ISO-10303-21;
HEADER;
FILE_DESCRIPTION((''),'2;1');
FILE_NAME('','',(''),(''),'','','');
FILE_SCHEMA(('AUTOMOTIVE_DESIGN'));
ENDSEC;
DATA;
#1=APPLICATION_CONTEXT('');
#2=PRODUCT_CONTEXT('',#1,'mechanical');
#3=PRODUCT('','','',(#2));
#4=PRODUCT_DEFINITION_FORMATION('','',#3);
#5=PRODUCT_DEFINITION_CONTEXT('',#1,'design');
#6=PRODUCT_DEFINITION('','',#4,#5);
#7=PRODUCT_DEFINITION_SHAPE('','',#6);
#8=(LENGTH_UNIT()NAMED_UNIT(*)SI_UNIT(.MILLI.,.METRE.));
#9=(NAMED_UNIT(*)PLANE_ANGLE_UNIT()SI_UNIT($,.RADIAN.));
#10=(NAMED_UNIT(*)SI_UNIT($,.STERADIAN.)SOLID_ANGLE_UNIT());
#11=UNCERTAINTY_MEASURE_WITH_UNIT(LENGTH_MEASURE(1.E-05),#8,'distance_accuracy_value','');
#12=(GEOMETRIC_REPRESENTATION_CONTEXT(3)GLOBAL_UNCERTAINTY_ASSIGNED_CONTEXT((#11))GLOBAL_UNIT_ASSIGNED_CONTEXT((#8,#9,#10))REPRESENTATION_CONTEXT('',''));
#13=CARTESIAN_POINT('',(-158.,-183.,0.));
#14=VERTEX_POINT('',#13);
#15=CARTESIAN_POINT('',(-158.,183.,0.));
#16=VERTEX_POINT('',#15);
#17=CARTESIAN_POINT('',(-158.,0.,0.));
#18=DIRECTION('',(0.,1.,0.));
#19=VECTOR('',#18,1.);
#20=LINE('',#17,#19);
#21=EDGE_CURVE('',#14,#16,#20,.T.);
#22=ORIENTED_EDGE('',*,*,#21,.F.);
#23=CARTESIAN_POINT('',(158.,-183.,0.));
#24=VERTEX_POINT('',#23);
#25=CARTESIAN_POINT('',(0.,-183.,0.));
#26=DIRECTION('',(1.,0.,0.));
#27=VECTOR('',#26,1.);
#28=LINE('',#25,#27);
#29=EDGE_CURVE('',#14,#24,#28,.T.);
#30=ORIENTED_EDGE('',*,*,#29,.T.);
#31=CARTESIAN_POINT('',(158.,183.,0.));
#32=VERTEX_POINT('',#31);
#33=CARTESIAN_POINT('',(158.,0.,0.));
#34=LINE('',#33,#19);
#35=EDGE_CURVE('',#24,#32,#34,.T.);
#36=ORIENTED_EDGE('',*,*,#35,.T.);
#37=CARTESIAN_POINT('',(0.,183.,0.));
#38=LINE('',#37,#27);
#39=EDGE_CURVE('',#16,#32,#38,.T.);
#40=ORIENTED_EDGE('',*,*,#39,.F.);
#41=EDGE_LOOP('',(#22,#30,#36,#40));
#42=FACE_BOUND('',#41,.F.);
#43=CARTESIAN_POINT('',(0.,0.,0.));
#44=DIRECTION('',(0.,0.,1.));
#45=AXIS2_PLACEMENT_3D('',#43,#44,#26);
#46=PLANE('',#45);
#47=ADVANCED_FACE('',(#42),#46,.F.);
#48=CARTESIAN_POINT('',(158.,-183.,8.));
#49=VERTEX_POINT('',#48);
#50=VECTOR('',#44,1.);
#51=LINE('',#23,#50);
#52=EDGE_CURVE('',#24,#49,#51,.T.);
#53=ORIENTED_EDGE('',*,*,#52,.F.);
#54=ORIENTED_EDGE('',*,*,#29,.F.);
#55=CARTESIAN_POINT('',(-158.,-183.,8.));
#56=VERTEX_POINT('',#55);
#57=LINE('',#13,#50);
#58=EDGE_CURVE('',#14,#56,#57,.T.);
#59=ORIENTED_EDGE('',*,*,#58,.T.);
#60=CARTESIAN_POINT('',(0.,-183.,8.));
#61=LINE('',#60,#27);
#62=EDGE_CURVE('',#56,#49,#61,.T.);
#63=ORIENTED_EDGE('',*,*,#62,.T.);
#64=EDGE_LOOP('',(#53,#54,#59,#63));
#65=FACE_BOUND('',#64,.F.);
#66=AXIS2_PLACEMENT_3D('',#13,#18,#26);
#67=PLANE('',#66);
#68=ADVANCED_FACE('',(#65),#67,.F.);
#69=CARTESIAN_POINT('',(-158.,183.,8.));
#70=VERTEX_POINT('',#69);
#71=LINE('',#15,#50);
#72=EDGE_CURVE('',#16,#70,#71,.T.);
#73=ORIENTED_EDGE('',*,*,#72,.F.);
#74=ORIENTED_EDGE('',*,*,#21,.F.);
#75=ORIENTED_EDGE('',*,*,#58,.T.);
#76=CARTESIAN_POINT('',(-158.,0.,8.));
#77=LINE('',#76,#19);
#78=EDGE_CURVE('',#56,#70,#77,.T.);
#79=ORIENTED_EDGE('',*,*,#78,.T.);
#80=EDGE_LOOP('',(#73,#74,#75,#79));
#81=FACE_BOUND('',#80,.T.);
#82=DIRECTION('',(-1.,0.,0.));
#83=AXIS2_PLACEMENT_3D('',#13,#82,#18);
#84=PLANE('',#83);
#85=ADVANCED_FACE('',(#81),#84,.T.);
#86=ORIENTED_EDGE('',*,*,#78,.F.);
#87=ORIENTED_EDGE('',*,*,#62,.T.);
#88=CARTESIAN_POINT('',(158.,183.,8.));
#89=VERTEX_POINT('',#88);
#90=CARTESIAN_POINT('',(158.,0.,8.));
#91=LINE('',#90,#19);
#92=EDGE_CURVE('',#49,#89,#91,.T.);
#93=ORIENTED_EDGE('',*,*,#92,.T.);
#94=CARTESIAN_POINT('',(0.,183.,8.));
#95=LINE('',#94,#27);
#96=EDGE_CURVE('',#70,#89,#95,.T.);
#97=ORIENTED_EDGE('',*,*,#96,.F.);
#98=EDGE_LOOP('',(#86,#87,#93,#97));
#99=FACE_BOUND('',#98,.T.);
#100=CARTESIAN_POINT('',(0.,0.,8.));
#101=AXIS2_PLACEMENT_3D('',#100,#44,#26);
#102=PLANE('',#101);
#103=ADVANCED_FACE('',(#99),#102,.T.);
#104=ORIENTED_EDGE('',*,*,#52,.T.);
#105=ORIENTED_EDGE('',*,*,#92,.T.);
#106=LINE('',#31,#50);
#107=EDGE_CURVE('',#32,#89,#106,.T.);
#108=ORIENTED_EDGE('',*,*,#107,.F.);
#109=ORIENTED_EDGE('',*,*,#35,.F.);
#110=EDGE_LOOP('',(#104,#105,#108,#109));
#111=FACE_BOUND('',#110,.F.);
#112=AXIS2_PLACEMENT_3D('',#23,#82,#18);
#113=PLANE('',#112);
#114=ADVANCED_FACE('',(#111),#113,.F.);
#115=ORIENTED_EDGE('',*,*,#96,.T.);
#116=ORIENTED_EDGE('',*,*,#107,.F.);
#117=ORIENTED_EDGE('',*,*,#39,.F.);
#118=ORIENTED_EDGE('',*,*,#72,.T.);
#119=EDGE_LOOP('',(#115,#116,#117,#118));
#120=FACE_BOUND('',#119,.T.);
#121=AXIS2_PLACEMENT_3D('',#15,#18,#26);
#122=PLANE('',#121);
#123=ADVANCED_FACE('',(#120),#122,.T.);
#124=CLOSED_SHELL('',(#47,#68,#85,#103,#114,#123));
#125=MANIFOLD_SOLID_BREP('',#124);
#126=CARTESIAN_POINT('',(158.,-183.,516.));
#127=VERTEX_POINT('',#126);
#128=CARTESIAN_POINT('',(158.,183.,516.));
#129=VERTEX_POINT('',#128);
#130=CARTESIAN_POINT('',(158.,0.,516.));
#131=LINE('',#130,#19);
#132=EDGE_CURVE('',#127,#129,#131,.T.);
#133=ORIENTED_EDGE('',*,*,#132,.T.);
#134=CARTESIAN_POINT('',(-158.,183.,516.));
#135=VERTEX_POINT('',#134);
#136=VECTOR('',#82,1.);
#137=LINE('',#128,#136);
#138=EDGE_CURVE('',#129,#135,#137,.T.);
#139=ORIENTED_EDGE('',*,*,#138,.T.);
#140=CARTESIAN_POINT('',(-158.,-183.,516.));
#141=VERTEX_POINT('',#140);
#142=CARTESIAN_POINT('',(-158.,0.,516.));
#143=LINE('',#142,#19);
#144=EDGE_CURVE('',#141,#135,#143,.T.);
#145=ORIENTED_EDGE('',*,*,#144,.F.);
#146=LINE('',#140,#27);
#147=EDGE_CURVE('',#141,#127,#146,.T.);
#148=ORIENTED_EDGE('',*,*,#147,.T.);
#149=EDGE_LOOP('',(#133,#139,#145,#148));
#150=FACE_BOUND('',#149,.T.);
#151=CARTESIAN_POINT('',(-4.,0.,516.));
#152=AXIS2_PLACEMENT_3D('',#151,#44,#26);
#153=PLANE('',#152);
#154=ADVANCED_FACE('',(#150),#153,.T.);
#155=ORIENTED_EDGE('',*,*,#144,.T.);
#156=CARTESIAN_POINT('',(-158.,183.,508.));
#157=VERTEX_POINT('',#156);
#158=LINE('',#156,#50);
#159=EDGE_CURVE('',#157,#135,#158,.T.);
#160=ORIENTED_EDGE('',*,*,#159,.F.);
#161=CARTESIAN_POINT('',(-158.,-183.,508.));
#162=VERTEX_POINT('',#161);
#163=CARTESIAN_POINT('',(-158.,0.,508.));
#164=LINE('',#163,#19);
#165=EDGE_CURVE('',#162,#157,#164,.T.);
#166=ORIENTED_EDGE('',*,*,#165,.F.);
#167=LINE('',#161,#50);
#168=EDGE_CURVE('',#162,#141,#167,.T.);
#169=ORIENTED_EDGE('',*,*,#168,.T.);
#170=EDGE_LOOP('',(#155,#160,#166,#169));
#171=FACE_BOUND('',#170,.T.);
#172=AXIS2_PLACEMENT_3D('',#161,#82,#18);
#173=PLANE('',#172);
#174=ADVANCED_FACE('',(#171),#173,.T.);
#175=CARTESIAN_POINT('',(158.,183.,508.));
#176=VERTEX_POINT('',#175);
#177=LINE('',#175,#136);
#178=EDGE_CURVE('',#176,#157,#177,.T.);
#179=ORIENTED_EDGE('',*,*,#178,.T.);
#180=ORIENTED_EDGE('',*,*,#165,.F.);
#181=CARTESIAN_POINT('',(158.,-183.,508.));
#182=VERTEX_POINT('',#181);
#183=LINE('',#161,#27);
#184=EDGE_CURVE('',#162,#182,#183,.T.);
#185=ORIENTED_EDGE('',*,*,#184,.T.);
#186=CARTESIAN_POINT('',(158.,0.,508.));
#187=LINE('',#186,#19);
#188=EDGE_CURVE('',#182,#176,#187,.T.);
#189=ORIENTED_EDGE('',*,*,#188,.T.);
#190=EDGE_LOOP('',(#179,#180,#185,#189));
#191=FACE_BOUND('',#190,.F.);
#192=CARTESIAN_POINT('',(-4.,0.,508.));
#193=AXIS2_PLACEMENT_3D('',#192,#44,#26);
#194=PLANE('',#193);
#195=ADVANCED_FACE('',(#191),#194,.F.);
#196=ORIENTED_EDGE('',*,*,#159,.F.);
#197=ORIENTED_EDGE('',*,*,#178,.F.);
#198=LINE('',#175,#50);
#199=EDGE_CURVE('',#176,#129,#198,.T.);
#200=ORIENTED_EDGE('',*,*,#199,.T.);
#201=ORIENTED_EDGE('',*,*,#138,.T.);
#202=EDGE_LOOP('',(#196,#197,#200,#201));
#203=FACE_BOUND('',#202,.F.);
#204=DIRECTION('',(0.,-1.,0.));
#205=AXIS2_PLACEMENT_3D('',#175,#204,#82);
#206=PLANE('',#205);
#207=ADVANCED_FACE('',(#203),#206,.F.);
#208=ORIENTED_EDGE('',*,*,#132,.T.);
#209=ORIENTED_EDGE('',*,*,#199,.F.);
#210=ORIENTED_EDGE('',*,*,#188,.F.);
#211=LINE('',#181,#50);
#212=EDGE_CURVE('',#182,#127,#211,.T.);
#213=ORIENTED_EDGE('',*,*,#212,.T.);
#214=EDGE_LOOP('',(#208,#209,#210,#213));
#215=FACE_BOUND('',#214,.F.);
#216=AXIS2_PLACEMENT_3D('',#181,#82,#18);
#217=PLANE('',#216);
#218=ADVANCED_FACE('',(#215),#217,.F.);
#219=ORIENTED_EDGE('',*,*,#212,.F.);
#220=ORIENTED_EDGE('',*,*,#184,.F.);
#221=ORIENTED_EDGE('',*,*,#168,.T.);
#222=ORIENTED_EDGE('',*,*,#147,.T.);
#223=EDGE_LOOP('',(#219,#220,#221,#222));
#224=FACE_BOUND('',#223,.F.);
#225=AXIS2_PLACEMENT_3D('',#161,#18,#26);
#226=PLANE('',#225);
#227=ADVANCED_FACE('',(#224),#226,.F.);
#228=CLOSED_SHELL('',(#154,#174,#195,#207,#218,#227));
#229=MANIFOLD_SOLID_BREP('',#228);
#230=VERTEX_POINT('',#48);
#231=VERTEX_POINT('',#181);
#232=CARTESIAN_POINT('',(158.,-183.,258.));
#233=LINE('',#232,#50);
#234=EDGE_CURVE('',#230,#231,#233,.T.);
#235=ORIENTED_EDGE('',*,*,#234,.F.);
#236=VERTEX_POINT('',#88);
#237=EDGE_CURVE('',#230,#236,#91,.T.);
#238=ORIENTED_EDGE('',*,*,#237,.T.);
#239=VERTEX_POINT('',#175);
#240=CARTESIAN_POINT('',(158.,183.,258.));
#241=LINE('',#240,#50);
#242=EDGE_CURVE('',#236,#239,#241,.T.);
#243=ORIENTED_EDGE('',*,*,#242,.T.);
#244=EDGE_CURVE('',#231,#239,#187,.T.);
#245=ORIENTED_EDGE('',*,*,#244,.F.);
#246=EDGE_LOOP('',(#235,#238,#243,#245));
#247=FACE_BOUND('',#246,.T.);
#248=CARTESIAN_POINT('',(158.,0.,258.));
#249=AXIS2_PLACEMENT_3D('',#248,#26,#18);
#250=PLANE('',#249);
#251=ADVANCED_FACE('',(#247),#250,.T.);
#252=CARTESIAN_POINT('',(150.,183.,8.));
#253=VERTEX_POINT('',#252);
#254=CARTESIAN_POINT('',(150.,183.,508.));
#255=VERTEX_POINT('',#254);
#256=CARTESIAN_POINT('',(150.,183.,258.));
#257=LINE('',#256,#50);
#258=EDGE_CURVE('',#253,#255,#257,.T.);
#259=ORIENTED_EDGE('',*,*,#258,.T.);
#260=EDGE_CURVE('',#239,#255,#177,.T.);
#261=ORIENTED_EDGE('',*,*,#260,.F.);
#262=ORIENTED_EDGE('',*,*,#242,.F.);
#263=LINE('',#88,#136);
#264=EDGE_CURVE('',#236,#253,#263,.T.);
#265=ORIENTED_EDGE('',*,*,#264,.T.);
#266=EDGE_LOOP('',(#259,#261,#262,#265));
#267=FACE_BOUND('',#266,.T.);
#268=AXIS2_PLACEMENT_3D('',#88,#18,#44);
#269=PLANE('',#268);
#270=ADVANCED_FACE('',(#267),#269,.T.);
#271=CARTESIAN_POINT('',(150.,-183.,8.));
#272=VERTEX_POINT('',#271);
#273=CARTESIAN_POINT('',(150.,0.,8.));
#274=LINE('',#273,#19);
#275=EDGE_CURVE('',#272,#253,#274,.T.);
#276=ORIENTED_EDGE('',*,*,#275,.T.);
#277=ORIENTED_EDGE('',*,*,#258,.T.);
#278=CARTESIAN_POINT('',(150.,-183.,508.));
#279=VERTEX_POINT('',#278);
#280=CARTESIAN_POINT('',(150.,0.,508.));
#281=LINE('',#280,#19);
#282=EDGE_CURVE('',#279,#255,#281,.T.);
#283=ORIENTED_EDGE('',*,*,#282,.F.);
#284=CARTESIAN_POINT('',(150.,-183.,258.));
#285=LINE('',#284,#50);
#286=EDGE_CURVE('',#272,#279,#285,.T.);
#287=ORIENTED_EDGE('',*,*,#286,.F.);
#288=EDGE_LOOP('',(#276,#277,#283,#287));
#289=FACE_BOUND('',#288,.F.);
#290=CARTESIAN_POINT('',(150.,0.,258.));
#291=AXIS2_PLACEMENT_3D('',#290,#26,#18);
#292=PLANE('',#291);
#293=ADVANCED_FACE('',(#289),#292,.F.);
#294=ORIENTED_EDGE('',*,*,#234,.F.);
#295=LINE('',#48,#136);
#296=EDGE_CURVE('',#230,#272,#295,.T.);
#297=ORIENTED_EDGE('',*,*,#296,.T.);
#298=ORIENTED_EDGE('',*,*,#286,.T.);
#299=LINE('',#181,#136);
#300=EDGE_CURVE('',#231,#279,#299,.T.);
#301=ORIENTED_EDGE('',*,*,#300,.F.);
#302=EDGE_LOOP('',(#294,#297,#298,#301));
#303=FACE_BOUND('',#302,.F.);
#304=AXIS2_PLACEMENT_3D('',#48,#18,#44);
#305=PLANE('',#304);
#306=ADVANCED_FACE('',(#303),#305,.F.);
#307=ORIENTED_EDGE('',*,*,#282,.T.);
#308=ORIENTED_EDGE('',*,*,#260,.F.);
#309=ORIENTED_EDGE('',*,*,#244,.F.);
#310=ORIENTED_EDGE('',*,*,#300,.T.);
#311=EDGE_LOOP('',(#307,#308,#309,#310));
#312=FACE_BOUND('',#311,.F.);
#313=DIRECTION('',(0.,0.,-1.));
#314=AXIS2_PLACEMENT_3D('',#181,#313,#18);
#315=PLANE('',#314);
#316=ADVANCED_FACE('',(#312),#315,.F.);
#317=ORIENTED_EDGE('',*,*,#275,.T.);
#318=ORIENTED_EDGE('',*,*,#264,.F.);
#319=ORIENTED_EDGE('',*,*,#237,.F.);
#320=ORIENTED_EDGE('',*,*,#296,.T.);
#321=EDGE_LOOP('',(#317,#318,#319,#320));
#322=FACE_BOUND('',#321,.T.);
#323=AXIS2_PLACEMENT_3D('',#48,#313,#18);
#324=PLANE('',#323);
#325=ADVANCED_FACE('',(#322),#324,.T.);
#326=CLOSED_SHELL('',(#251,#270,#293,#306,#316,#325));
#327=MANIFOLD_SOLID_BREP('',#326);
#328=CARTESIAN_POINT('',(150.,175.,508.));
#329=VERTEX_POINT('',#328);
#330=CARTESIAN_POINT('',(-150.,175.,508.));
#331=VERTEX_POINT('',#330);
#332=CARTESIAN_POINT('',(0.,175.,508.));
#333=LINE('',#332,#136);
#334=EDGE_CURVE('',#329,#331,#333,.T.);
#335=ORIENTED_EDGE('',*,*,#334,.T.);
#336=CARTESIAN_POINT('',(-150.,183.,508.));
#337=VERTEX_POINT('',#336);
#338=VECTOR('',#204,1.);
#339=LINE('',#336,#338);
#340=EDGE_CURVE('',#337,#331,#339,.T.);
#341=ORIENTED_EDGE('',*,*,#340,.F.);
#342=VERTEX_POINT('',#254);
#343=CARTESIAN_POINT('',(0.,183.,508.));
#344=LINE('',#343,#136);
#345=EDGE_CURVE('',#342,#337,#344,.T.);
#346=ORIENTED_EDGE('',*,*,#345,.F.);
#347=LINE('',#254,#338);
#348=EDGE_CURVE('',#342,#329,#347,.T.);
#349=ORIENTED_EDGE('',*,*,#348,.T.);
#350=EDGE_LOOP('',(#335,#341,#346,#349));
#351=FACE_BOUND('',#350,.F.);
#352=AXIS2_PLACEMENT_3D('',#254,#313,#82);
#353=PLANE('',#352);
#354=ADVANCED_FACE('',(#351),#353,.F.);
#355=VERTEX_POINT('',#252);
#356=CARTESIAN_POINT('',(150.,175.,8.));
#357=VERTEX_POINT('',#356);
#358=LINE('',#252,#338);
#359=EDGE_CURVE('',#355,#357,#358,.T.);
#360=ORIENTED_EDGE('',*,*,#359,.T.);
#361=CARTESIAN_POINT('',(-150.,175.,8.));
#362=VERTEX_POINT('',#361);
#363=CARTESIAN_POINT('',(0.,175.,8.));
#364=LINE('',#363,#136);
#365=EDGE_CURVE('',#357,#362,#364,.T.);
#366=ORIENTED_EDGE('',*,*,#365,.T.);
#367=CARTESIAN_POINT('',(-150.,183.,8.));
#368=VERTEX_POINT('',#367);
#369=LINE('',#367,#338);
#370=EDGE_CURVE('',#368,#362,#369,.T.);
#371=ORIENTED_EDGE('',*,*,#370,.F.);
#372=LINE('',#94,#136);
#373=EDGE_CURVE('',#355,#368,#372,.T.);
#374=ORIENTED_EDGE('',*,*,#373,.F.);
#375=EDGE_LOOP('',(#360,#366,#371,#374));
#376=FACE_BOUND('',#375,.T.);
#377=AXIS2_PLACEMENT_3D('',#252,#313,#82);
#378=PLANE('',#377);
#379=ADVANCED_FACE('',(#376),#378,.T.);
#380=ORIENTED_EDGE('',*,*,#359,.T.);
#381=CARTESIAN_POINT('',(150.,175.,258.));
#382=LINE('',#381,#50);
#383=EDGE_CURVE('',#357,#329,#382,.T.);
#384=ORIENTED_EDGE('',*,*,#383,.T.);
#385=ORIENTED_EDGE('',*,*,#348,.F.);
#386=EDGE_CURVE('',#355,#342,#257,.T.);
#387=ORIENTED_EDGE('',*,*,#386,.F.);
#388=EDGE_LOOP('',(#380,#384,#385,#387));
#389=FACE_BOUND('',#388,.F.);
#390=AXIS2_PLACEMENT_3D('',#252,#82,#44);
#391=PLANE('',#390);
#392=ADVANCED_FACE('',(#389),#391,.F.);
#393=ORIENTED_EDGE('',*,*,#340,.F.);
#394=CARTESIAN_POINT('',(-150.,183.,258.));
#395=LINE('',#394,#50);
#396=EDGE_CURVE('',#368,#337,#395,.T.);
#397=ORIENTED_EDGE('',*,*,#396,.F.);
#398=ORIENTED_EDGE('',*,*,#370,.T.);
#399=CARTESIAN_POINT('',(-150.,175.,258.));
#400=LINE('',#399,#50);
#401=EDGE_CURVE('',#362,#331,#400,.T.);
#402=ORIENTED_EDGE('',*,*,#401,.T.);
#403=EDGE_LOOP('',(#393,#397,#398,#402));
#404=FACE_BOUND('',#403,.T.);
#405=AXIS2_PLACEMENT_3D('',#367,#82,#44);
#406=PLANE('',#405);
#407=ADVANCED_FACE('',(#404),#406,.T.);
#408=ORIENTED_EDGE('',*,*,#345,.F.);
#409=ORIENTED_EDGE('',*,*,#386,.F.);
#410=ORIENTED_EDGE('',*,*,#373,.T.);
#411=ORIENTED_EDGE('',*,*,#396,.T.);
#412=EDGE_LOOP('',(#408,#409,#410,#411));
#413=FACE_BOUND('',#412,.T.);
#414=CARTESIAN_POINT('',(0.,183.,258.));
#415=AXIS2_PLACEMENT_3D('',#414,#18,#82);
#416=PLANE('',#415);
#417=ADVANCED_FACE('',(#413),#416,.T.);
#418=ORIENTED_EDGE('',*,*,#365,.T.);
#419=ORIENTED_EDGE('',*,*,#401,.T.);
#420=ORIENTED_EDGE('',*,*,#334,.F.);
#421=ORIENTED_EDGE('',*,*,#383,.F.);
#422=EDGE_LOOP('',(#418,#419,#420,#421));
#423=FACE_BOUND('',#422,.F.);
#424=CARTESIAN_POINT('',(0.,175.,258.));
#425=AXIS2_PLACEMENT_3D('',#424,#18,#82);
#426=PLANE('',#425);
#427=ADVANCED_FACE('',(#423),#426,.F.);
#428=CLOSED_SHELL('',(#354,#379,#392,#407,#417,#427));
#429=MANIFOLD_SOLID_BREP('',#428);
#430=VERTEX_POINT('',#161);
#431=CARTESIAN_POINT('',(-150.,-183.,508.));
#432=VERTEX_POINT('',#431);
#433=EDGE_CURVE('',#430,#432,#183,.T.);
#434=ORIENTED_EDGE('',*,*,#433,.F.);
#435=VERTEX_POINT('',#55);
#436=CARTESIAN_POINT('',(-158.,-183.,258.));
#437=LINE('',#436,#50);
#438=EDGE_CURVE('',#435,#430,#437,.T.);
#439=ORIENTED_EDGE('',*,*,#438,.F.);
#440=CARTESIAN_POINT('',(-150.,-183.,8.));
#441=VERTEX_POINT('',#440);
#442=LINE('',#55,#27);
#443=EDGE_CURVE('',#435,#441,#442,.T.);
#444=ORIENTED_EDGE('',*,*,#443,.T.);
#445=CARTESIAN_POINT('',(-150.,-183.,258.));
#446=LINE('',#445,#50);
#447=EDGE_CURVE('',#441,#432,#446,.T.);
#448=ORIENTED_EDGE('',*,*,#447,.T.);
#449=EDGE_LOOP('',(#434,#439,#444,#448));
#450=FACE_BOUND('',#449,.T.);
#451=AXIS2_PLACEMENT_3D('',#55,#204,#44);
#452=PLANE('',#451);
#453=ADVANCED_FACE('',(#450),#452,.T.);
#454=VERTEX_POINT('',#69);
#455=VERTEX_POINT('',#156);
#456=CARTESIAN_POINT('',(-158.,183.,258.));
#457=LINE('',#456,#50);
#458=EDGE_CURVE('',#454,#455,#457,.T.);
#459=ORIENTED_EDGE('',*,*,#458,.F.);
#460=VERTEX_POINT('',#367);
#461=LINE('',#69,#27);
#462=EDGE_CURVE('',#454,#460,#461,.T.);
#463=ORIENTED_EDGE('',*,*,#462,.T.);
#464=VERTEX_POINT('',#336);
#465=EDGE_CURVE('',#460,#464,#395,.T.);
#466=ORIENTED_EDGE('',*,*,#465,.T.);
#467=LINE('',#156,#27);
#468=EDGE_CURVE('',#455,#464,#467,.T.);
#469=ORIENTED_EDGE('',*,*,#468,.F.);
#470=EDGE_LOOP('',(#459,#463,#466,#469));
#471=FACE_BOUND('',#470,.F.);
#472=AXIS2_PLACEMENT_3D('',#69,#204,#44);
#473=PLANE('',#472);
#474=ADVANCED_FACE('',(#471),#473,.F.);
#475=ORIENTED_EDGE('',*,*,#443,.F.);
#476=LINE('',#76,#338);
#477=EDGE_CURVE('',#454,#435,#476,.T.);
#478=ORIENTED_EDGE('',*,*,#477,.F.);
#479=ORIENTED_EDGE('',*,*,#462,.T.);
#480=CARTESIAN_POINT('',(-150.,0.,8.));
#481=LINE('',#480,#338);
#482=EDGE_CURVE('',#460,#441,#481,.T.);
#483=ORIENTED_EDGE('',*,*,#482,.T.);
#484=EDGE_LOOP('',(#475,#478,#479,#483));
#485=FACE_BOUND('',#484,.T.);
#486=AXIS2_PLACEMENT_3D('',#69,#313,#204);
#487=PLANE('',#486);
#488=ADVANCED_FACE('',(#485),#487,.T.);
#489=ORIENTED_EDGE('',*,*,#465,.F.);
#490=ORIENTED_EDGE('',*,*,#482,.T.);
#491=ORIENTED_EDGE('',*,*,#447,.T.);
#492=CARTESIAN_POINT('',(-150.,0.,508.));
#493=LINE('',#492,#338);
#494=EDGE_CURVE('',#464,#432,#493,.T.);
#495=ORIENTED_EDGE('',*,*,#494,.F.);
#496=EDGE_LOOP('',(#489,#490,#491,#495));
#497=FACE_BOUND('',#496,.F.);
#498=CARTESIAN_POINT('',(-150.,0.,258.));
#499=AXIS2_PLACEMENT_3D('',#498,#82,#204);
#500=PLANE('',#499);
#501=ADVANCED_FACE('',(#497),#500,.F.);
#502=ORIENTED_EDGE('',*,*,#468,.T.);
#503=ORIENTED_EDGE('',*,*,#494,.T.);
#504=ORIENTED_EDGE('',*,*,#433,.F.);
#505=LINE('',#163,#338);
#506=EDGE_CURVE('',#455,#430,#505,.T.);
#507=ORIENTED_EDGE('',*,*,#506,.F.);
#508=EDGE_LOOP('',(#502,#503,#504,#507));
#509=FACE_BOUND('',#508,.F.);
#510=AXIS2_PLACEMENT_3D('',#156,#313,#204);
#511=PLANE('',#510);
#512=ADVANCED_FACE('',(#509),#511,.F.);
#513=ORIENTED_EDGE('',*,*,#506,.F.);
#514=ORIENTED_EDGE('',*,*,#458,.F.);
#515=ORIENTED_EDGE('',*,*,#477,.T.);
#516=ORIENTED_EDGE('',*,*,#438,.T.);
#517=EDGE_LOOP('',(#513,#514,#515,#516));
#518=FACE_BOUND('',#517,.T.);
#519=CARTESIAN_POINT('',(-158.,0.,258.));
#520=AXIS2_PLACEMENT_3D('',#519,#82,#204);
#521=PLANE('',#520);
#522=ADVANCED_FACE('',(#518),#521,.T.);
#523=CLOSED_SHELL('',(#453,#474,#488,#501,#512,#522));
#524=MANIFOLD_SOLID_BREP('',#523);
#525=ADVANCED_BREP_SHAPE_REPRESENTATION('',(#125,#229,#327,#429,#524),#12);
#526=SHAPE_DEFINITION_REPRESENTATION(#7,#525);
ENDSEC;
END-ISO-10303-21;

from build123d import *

# Parameters (mm, degrees)
F1_W      = 316
F1_H      = 366
F2_DEPTH  = 8
F3_W      = 366
F3_H      = 500
F4_DEPTH  = 8
F5_W      = 366
F5_H      = 500
F6_DEPTH  = 8
F7_W      = 300
F7_H      = 500
F8_DEPTH  = 8
F9_W      = 308
F9_H      = 366
F9_W_2    = 8
F10_DEPTH = 8


with BuildPart() as f2:
    # F1 (on Top) → F2 (new body)
    with BuildSketch(Plane.XY):
        Rectangle(F1_W, F1_H)
    extrude(amount=F2_DEPTH)


with BuildPart() as f4:
    # F3 (on face) → F4 (new body)
    with BuildSketch(Plane.YZ.offset(158)):
        with Locations((0, 258)):
            Rectangle(F3_W, F3_H)
    extrude(amount=-F4_DEPTH)


with BuildPart() as f6:
    # F5 (on face) → F6 (new body)
    with BuildSketch(Plane(origin=(-158, 0, 0), x_dir=(0, -1, 0), z_dir=(-1, 0, 0))):
        with Locations((0, 258)):
            Rectangle(F5_W, F5_H)
    extrude(amount=-F6_DEPTH)


with BuildPart() as f8:
    # F7 (on face) → F8 (new body)
    with BuildSketch(Plane(origin=(0, 183, 0), x_dir=(-1, 0, 0), z_dir=(0, 1, 0))):
        with Locations((0, 258)):
            Rectangle(F7_W, F7_H)
    extrude(amount=-F8_DEPTH)


with BuildPart() as f10:
    # F9 (on face) → F10 (new body)
    with BuildSketch(Plane.XY.offset(508)):
        with Locations((-4, 0)):
            Rectangle(F9_W, F9_H)
        with Locations((154, 0)):
            Rectangle(F9_W_2, F9_H)
    extrude(amount=F10_DEPTH)


solid = Compound([f2.part, f4.part, f6.part, f8.part, f10.part])
